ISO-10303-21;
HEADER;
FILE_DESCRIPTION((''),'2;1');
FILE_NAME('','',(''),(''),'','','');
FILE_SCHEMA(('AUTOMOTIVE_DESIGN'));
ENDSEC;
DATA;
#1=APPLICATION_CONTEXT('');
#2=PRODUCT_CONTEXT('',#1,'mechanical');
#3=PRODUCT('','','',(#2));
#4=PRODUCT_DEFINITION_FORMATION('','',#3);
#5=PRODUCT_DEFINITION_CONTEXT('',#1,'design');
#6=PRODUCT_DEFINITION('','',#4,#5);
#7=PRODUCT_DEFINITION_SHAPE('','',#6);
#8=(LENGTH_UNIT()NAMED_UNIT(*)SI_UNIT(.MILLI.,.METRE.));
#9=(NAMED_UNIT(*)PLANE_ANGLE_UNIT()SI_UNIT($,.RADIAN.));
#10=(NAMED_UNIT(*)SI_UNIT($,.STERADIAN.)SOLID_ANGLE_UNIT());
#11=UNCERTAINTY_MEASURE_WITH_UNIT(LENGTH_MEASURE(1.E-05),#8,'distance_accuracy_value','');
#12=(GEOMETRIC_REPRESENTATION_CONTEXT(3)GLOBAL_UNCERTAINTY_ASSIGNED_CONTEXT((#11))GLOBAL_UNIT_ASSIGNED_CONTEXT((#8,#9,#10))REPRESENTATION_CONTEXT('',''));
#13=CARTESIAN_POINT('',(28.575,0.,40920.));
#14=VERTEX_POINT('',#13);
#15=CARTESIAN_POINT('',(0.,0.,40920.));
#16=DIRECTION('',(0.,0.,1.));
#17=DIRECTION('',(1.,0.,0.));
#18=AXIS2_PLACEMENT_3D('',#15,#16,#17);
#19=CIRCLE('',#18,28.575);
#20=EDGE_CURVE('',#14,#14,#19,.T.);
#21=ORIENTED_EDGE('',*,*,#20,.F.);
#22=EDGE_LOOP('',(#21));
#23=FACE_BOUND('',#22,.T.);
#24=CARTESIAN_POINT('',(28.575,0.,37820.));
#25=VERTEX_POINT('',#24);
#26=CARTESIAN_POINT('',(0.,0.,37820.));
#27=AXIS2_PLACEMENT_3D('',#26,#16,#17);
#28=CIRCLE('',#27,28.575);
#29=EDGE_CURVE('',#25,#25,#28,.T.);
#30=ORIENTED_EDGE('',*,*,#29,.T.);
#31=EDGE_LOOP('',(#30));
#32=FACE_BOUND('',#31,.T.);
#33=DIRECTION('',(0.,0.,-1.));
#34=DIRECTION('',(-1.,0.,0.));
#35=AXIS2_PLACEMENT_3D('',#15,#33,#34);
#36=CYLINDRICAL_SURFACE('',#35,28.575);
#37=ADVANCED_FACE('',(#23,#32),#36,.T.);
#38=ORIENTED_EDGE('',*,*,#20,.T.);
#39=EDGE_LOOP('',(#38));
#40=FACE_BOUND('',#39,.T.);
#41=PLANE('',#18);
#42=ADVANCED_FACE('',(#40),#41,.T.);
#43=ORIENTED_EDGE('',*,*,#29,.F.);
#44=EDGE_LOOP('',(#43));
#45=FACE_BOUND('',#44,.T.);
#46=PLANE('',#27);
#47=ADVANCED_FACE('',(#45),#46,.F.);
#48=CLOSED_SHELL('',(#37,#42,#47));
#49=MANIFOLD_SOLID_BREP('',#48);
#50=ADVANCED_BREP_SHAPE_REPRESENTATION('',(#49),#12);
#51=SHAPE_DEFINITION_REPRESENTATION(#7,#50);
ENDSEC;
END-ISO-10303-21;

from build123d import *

# Parameters (mm, degrees)
SKETCH1_R           = 725.805
BOSS_EXTRUDE1_DEPTH = 78740
SCALE1_SCALE        = 0.039370079


with BuildPart() as part:
    # Sketch1 → Boss-Extrude1 (new body)
    with BuildSketch(Plane.XY):
        Circle(SKETCH1_R)
    extrude(amount=BOSS_EXTRUDE1_DEPTH)


with BuildPart() as part_1:
    # Scale1: scaled about (0, 0, 39370)
    add(part.part.scale(SCALE1_SCALE).moved(Location((0, 0, 37820))))


solid = part_1.part
